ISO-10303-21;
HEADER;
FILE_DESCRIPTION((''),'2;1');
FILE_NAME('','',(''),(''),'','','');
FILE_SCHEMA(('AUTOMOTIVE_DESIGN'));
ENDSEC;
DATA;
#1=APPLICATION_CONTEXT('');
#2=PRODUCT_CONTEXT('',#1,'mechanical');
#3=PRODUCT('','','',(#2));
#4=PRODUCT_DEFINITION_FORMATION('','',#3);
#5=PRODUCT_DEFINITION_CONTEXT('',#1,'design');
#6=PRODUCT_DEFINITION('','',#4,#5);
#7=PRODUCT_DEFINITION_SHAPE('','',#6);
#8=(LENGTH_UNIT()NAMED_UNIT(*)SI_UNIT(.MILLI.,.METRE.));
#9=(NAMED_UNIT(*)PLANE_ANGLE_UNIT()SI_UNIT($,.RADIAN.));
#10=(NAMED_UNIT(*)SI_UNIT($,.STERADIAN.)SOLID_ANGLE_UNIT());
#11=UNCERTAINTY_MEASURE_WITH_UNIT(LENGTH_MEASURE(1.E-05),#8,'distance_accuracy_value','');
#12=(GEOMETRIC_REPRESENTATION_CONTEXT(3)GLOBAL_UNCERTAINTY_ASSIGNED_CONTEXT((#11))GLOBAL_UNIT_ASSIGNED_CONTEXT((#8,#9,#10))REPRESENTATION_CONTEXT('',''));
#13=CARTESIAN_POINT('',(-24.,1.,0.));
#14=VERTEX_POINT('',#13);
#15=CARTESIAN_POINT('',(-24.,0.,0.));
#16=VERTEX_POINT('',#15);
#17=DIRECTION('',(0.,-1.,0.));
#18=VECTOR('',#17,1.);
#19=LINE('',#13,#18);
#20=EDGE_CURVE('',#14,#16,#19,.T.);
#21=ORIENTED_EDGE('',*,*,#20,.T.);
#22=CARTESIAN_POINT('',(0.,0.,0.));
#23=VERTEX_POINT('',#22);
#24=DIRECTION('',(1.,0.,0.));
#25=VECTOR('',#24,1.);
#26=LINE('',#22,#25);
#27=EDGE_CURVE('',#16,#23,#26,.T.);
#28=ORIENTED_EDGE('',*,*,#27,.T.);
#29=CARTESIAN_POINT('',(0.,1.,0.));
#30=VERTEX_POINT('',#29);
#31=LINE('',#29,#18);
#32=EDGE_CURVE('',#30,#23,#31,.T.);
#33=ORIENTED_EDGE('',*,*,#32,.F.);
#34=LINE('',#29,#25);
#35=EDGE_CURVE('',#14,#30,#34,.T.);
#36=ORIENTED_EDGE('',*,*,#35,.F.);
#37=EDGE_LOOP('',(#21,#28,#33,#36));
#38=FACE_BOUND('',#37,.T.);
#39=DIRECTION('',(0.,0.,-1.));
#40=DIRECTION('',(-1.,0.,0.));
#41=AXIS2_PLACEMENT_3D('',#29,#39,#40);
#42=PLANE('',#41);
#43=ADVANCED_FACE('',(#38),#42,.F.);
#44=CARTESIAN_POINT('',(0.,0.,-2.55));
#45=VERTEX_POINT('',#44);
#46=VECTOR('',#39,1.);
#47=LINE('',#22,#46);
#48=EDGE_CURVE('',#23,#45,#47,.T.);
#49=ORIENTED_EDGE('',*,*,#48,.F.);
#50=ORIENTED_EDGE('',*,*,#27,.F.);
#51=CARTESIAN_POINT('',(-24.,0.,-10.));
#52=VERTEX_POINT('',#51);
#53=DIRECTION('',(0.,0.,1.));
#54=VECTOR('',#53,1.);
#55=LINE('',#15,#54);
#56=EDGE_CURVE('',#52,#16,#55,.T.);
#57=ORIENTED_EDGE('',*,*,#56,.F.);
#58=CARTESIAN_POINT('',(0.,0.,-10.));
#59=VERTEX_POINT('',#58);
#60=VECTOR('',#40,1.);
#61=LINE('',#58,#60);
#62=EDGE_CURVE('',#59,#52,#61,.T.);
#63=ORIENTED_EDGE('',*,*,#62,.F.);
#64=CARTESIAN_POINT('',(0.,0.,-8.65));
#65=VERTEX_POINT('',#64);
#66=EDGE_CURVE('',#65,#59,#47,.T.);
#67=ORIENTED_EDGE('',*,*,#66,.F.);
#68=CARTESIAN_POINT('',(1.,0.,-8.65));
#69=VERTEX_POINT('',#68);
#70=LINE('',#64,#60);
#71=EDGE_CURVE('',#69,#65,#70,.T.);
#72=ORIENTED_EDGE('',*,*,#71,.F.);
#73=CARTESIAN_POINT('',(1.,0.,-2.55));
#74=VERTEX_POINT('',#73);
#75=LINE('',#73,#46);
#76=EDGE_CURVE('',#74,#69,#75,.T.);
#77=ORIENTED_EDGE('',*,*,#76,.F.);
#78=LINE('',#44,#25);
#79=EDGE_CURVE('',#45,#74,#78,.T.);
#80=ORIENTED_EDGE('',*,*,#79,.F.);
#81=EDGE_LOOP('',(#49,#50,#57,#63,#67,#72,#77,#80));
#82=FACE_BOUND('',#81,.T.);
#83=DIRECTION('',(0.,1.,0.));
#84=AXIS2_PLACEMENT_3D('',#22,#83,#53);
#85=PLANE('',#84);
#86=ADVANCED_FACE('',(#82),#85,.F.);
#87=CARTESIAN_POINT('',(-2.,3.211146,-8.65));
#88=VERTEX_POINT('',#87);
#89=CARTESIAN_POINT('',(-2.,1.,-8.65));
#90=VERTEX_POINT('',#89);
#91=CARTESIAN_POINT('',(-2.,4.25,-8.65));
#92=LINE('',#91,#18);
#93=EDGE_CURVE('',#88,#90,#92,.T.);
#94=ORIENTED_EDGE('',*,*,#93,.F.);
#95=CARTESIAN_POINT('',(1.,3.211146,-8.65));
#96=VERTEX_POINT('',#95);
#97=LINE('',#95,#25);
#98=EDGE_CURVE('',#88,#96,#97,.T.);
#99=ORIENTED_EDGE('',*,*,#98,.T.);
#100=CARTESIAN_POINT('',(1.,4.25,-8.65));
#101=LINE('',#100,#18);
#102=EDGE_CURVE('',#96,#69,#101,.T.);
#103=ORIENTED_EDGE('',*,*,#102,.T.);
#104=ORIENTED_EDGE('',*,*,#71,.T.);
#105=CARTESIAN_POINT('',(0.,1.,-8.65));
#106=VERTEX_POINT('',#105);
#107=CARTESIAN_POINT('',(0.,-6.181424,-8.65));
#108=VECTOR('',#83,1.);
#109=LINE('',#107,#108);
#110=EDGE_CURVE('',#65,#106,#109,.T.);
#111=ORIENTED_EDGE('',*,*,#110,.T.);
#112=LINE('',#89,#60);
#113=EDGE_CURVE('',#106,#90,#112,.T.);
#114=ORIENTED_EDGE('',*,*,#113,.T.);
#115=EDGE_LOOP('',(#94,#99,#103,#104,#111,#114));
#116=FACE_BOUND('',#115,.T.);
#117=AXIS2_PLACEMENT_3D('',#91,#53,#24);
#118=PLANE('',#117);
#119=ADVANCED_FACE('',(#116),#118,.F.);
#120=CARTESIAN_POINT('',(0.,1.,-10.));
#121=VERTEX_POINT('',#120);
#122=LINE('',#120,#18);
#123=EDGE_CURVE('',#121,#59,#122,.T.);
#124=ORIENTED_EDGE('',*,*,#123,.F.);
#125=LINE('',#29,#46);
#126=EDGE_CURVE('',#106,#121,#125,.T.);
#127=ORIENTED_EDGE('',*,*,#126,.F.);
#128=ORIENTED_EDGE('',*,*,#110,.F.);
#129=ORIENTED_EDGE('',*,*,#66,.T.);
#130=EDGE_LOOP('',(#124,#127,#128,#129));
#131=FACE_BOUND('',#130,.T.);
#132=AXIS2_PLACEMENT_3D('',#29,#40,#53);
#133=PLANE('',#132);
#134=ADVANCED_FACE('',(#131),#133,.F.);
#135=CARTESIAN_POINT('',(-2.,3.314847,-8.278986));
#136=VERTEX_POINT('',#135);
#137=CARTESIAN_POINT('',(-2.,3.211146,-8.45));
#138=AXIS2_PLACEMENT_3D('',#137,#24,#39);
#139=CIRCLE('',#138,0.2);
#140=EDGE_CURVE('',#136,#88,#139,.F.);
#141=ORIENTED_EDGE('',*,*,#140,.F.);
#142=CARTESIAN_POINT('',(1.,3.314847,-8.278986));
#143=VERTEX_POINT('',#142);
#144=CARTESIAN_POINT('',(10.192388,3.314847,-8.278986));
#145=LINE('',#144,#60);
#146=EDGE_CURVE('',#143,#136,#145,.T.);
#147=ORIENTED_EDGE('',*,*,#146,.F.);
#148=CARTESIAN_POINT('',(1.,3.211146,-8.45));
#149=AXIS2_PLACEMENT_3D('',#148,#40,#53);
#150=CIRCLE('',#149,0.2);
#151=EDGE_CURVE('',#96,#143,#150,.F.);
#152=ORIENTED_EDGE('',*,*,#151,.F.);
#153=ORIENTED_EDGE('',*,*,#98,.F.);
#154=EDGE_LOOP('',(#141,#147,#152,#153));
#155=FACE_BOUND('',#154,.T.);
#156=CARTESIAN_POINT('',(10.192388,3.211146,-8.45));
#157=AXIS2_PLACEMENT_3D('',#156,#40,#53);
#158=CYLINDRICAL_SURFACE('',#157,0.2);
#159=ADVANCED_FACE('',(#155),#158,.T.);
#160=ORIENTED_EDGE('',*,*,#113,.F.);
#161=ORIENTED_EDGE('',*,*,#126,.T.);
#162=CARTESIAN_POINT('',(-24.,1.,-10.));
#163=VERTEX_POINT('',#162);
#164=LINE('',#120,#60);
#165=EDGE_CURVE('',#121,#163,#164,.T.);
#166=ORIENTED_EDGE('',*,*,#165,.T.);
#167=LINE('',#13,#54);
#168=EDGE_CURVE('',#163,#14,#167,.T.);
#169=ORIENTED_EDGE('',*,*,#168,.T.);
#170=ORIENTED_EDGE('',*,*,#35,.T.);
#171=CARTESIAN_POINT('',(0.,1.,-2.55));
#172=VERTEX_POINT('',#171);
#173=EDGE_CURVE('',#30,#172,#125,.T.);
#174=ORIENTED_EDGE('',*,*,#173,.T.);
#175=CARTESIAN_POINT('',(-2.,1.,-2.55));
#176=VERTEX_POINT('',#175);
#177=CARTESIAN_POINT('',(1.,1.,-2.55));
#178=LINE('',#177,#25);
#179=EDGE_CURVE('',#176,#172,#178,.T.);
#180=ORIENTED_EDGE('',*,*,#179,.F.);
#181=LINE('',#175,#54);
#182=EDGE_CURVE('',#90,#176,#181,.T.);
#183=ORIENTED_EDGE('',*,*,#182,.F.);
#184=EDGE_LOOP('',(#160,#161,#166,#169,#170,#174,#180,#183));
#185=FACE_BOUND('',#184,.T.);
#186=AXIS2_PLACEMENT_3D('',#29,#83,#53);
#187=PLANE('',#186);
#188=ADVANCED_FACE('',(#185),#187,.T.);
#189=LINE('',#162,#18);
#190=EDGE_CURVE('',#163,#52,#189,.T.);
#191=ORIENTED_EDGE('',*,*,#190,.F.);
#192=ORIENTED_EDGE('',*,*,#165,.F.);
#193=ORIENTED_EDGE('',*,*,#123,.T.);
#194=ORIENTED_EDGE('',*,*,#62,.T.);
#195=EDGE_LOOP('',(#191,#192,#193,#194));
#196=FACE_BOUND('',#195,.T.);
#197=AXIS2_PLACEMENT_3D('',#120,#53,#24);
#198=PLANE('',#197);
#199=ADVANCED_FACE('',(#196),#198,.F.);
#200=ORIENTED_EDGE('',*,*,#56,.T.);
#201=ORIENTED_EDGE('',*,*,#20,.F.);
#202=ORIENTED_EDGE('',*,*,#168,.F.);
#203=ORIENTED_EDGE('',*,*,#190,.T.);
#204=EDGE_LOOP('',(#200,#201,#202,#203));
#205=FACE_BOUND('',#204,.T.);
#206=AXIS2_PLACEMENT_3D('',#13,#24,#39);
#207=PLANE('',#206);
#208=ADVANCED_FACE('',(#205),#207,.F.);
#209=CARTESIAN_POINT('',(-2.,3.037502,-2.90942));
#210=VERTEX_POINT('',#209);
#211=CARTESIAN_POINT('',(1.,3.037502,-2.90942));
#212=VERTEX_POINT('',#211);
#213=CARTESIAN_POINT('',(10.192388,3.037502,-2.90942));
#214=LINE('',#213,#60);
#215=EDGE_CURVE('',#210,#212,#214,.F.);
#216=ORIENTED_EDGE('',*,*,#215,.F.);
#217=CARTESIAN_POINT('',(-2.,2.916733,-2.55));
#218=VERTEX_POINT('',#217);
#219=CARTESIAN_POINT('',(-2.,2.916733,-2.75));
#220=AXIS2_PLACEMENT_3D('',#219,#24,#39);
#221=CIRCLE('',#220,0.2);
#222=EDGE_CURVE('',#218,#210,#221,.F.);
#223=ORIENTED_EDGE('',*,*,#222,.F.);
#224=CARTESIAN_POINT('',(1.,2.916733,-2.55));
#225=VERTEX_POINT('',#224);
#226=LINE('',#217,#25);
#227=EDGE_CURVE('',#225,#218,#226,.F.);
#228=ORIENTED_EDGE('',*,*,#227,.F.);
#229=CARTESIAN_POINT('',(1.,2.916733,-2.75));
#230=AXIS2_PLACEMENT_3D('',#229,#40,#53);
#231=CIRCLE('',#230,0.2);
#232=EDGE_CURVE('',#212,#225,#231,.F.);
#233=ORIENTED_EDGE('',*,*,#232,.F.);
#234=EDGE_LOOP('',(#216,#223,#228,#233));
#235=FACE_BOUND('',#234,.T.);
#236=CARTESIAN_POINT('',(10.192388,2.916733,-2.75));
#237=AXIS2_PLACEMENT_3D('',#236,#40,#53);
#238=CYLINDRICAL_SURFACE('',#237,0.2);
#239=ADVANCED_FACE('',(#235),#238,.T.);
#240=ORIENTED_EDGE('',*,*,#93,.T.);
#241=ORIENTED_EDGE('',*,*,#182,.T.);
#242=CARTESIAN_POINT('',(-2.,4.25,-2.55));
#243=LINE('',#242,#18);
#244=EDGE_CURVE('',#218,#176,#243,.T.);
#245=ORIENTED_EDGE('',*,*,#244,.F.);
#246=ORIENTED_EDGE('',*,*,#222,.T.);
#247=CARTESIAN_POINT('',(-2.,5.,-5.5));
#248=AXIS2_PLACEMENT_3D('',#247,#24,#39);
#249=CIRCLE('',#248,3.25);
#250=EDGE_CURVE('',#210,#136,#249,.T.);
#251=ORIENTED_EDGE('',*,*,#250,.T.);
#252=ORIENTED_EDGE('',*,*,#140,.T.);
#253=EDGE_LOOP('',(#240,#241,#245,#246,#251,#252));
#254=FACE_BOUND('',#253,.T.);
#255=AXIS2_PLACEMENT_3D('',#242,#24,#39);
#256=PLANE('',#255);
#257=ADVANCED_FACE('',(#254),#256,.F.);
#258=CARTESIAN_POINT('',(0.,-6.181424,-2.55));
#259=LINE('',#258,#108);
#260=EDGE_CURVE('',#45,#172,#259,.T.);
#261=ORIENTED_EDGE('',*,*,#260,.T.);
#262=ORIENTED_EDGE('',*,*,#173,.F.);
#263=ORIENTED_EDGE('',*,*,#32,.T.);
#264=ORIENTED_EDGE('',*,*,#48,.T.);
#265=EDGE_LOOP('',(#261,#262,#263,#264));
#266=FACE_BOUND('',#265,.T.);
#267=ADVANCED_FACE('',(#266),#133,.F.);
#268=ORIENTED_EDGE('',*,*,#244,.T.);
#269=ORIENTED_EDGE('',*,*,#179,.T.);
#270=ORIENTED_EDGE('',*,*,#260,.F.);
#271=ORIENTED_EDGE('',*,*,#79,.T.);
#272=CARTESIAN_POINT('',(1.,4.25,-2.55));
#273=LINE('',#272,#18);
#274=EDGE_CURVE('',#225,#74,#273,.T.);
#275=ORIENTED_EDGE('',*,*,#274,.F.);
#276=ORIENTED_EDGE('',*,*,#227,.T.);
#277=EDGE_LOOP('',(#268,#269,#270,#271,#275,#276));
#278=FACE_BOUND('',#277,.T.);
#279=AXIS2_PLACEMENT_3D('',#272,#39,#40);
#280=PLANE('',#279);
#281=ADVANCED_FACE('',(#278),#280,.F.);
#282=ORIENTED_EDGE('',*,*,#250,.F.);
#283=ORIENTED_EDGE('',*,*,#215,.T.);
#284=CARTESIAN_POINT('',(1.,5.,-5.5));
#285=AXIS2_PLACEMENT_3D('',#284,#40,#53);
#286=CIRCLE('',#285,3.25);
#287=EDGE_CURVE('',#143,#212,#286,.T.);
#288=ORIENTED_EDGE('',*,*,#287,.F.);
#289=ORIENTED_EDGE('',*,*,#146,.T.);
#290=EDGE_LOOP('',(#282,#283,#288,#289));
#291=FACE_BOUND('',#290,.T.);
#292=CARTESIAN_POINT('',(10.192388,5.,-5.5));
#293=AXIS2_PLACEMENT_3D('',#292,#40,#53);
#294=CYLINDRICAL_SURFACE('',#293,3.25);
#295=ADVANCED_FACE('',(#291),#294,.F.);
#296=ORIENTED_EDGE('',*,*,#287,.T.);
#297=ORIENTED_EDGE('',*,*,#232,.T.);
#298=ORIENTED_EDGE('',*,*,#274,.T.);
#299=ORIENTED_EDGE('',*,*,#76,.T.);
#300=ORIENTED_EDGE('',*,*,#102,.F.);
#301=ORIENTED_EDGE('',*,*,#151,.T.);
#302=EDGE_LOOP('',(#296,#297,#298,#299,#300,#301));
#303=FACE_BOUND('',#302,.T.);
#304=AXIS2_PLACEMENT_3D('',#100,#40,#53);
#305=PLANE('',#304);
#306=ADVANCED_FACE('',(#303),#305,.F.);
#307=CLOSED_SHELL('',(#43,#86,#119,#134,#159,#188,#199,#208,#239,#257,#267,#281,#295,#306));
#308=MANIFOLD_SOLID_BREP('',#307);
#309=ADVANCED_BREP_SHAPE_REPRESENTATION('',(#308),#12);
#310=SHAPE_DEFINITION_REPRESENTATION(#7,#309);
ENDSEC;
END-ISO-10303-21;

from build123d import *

# Parameters (mm, degrees)
SKETCH1_W           = 24
SKETCH1_H           = 10
BOSS_EXTRUDE1_DEPTH = 1
SKETCH2_W           = 3
SKETCH2_H           = 6.1
BOSS_EXTRUDE2_DEPTH = 3.25
SKETCH3_R           = 3.25
CUT_EXTRUDE1_DEPTH  = 3
FILLET1_R           = 0.2
SKETCH4_W           = 1
SKETCH4_H           = 6.1
BOSS_EXTRUDE3_DEPTH = 1


with BuildPart() as part:
    # Sketch1 → Boss-Extrude1 (new body)
    with BuildSketch(Plane(origin=(0, 0, 0), x_dir=(1, 0, 0), z_dir=(0, 1, 0))):
        with Locations((-12, 5)):
            Rectangle(SKETCH1_W, SKETCH1_H)
    extrude(amount=BOSS_EXTRUDE1_DEPTH)

    # Sketch2 → Boss-Extrude2 (add)
    with BuildSketch(Plane(origin=(0, 1, 0), x_dir=(1, 0, 0), z_dir=(0, 1, 0))):
        with Locations((-0.5, 5.6)):
            Rectangle(SKETCH2_W, SKETCH2_H)
    extrude(amount=BOSS_EXTRUDE2_DEPTH)

    # Sketch3 → Cut-Extrude1 (cut)
    with BuildSketch(Plane(origin=(-2, 0, 0), x_dir=(0, 0, -1), z_dir=(1, 0, 0))):
        with Locations((5.5, 5)):
            Circle(SKETCH3_R)
    extrude(amount=CUT_EXTRUDE1_DEPTH, mode=Mode.SUBTRACT)

    # Fillet1
    fillet1_edges = [part.edges().sort_by_distance(p)[0] for p in [
        (-0.5, 3.63618183, -2.55),
        (-0.5, 4.2, -8.65),
    ]]
    fillet(fillet1_edges, radius=FILLET1_R)

    # Sketch4 → Boss-Extrude3 (add)
    with BuildSketch(Plane.XZ.offset(-1)):
        with Locations((0.5, -5.6)):
            Rectangle(SKETCH4_W, SKETCH4_H)
    extrude(amount=BOSS_EXTRUDE3_DEPTH)


solid = part.part
